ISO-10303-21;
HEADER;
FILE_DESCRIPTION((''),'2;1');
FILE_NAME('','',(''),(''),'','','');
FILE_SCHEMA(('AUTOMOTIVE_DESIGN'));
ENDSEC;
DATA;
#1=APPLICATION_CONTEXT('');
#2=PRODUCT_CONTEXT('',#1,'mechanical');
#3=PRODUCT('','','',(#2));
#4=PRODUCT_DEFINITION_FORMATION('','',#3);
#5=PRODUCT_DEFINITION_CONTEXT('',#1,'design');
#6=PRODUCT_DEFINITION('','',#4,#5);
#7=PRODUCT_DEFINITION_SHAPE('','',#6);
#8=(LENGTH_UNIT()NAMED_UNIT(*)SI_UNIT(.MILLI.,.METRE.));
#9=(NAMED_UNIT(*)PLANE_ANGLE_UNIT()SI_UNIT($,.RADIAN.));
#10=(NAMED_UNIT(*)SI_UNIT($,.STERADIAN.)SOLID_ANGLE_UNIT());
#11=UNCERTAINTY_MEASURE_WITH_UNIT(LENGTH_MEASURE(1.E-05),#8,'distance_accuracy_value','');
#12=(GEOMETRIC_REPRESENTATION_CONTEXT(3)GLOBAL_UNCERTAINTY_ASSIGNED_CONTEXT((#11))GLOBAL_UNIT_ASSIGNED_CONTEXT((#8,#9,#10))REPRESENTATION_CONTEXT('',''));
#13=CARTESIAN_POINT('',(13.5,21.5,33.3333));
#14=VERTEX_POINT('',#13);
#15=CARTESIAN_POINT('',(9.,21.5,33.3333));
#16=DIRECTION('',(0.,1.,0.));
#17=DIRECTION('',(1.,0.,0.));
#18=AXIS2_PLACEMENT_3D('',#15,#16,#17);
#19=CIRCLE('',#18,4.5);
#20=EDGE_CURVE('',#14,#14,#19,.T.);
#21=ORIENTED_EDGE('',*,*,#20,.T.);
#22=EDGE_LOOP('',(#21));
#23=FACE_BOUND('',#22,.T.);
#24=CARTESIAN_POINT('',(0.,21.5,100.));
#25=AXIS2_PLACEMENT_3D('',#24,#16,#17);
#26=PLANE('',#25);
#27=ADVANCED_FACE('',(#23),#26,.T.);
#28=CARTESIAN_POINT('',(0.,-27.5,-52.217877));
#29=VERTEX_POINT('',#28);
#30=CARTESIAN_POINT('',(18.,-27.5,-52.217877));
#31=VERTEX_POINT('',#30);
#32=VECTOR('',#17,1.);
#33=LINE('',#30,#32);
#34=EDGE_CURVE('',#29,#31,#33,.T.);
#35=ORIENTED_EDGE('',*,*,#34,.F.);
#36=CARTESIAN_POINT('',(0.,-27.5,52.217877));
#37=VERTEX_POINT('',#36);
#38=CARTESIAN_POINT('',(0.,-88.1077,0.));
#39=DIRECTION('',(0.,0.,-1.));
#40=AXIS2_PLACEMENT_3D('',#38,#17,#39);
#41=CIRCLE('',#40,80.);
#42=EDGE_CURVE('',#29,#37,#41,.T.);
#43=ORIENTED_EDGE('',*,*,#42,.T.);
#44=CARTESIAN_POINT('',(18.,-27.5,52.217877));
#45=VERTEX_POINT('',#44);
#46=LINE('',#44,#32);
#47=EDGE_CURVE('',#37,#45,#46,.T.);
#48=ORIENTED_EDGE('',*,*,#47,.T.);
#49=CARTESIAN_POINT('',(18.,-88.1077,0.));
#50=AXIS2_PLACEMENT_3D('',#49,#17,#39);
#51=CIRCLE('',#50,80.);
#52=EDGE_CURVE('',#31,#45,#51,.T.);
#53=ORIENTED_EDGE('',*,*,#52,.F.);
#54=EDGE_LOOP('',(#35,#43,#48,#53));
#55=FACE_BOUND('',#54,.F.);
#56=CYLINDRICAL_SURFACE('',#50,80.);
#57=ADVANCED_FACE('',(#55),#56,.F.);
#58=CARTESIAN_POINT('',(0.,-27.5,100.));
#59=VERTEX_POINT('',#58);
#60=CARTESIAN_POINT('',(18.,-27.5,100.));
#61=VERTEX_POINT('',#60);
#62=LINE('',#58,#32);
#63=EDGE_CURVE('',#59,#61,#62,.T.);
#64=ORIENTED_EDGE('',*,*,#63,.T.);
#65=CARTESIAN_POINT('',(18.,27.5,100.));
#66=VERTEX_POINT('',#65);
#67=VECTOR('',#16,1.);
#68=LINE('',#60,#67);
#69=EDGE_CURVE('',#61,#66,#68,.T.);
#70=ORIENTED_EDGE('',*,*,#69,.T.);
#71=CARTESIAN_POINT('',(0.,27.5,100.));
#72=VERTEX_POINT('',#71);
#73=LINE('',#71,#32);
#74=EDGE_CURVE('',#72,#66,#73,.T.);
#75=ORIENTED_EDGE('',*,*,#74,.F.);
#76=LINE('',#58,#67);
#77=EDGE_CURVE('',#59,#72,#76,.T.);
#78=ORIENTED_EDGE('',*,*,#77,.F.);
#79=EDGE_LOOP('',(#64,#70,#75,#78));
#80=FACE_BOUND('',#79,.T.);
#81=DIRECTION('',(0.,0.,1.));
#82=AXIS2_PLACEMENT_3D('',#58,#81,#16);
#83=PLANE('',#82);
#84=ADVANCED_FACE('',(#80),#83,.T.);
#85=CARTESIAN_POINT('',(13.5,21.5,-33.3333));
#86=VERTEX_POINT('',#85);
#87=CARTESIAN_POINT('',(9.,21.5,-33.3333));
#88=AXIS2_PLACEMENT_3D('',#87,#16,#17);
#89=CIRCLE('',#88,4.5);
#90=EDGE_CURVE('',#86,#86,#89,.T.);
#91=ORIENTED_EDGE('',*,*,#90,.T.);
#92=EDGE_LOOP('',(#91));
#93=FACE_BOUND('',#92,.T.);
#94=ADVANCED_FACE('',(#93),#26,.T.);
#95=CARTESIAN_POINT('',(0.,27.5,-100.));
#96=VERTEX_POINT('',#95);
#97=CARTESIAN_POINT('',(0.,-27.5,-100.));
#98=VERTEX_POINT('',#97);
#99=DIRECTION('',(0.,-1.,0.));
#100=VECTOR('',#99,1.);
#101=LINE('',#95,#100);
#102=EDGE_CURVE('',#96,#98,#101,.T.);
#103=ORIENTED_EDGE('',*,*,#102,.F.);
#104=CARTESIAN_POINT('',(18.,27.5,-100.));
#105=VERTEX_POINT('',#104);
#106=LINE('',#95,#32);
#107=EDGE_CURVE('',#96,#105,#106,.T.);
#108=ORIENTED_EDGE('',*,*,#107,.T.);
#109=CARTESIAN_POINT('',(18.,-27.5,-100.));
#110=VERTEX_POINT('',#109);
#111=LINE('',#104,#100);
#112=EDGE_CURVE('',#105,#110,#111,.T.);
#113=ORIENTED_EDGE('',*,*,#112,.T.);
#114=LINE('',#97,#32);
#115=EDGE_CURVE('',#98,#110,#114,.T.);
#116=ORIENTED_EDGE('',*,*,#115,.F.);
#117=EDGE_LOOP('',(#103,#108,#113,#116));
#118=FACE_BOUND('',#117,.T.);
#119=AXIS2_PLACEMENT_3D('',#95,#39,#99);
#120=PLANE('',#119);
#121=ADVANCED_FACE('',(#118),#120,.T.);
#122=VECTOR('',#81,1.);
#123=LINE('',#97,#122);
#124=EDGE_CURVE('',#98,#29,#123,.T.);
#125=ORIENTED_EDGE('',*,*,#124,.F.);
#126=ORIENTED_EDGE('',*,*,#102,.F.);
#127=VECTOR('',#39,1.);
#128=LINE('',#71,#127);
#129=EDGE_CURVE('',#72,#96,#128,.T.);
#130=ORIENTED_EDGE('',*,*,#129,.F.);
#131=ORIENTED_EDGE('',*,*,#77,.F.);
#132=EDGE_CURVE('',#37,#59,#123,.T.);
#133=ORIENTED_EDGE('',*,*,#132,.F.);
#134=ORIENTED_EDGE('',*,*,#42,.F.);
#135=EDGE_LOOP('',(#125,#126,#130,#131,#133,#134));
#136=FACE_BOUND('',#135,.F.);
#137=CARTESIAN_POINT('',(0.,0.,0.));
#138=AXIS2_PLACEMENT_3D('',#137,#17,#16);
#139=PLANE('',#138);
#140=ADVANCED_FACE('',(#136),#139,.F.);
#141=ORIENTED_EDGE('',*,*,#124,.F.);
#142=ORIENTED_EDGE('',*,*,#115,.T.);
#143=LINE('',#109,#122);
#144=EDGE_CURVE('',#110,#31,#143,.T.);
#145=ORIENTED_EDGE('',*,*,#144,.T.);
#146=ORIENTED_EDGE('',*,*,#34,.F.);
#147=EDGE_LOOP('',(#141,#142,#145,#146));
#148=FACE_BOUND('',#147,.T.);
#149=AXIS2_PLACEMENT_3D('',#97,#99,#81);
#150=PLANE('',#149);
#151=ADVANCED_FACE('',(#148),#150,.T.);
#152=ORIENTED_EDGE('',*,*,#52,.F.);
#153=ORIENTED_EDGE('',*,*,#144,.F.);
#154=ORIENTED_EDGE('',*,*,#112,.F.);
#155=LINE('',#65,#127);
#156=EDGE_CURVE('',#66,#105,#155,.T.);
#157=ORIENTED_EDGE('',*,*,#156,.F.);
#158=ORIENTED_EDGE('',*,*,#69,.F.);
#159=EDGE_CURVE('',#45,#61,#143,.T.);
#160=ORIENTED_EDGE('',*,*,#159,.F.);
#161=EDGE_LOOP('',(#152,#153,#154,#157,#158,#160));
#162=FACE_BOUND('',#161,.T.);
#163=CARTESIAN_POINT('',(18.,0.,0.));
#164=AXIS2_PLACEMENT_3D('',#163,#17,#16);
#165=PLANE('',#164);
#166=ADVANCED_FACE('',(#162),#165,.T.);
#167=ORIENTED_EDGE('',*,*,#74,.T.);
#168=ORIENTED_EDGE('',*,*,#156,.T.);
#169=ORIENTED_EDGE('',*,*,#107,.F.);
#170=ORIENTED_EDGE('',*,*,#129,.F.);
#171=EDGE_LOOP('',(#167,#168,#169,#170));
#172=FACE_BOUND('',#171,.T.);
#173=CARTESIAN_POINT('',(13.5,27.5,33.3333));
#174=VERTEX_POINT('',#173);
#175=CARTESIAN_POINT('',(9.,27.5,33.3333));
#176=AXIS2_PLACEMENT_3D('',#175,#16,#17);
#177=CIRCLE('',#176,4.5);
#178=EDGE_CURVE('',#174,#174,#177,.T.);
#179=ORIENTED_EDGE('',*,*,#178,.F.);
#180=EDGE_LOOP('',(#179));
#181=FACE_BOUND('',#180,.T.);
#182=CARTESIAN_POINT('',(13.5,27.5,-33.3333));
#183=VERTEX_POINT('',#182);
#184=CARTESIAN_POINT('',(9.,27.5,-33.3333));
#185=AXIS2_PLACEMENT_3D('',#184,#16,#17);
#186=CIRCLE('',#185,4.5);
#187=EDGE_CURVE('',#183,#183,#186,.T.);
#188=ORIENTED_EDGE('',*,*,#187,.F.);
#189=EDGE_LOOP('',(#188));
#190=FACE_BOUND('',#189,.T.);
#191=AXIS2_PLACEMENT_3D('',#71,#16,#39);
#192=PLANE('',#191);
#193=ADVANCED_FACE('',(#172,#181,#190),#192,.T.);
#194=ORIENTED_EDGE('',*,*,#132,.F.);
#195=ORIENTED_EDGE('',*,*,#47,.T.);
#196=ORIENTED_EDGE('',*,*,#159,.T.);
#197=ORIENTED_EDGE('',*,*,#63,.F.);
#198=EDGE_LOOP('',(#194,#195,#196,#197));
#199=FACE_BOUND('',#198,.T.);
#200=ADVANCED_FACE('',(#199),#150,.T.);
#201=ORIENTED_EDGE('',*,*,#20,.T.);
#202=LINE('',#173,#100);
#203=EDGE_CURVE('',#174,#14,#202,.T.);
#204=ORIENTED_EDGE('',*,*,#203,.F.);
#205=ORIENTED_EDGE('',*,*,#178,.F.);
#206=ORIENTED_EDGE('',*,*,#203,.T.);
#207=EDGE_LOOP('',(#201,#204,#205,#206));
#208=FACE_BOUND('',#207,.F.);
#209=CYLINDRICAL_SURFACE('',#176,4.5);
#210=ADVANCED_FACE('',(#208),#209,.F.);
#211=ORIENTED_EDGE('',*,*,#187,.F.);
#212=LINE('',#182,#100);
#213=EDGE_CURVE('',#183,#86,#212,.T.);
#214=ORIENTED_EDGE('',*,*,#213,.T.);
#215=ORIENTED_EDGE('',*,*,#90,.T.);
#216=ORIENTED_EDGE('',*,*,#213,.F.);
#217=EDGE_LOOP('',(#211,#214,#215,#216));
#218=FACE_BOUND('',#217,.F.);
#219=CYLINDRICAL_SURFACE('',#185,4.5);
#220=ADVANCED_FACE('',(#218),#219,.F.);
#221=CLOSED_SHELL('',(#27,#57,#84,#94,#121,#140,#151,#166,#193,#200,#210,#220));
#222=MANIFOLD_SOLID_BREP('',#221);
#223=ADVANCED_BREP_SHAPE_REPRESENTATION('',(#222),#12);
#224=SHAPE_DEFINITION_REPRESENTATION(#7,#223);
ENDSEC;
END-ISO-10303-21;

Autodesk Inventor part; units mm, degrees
ref_plane "YZ Plane" through (0, 0, 0) normal (1, 0, 0) x (0, 1, 0)
ref_plane "XZ Plane" through (0, 0, 0) normal (0, 1, 0) x (-1, 0, 0)
ref_plane "XY Plane" through (0, 0, 0) normal (0, 0, 1) x (1, 0, 0)
sketch "Boceto1" plane through (0, 0, 0) normal (1, 0, 0) x (0, 1, 0)
  line L0 (27.5, -100) -> (-27.5, -100)
  line L1 (-27.5, -100) -> (-27.5, 100)
  line L2 (-27.5, 100) -> (27.5, 100)
  line L3 (27.5, 100) -> (27.5, -100)
  line L4 (27.5, -100) -> (-27.5, 100) construction
  line L5 (-27.5, -100) -> (27.5, 100) construction
  point P0 (0, 0)
  dimension "alto" = 55
  dimension "ancho" = 200
extrude "Extrusión1" add sketch "Boceto1" along normal blind 18
sketch "Boceto2" plane through (0, 27.5, 100) normal (0, 1, 0) x (1, 0, 0)
  circle A0 centre (9, 66.6667) radius 4.5
  circle A1 centre (9, 133.3333) radius 4.5
  line L0 (0, 0) -> (18, 0) projected
  line L1 (0, 200) -> (18, 200) projected
  line L2 (18, 200) -> (18, 0) projected
  point P0 (0, 100)
  dimension "d4" = 9
  dimension "d5" = 9
  dimension "alto1" = 66.6667
  dimension "d7" = 66.6667
  dimension "d8" = 9
  dimension "d9" = 9
extrude "Extrusión2" cut sketch "Boceto2" against normal blind 6
sketch "Boceto3" plane through (18, 0, 0) normal (1, 0, 0) x (0, 0, -1)
  circle A0 centre (0, -88.1077) radius 80
  line L0 (-100, 27.5) -> (-100, -27.5) projected
  point P0 (0, 0)
  dimension "radio" = 160
  dimension "d14" = 100
extrude "Extrusión3" cut sketch "Boceto3" against normal blind 18
equation "\"d4\" = 0.5 * grosor"
equation "\"d5\" = d4"
equation "\"d7\" = alto1"
equation "\"d8\" = d9"
equation "\"d9\" = 0.5 * grosor"
equation "\"d10\" = 0.333333 * grosor"
equation "\"d14\" = 0.5 * ancho"
equation "\"d15\" = grosor"
equation "\"grosor\" = 18"
properties part number "soporte"
